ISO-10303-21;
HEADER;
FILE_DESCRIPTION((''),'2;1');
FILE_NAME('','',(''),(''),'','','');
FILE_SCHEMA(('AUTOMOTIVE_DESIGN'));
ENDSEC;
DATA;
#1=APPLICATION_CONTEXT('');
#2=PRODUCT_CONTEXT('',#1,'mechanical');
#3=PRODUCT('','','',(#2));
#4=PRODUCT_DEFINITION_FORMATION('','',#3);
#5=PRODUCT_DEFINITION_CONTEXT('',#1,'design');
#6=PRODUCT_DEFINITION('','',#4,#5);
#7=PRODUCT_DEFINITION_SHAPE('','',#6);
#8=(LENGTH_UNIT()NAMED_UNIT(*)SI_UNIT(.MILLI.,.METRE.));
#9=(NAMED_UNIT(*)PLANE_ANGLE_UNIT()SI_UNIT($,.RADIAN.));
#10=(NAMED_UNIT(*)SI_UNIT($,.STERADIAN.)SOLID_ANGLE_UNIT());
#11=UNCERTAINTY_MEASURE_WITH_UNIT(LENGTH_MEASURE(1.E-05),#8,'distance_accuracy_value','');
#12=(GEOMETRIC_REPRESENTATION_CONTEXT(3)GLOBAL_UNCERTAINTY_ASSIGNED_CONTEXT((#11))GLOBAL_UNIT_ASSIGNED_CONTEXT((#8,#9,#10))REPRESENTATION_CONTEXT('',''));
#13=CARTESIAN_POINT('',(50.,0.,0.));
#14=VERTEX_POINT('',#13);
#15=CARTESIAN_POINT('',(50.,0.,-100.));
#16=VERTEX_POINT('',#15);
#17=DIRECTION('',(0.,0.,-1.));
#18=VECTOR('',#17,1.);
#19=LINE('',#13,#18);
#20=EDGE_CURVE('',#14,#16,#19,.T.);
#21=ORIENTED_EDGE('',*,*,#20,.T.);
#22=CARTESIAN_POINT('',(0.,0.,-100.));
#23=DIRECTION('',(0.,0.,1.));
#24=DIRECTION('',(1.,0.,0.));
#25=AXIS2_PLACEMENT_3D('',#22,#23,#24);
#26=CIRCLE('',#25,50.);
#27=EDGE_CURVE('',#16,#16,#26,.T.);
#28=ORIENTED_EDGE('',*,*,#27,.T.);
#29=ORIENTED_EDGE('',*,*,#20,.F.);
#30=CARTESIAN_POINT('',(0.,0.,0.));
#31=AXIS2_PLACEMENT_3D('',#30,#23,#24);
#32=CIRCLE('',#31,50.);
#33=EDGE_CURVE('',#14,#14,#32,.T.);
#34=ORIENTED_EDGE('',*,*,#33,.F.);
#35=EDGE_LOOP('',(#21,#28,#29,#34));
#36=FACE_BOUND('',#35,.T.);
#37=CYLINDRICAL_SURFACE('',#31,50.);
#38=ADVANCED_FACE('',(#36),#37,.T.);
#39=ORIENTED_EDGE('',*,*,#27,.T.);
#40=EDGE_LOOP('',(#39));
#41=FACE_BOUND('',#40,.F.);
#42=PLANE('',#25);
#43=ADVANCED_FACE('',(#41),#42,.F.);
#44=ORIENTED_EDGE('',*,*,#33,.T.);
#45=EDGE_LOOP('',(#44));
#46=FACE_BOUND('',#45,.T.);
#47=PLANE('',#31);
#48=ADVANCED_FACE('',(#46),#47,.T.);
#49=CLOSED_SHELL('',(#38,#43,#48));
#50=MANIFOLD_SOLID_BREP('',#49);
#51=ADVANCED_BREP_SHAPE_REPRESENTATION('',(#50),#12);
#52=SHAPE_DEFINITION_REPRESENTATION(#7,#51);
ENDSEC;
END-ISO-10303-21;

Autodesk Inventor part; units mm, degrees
ref_plane "YZ Plane" through (0, 0, 0) normal (1, 0, 0) x (0, 1, 0)
ref_plane "XZ Plane" through (0, 0, 0) normal (0, 1, 0) x (-1, 0, 0)
sketch "Sketch1" plane through (0, 0, 0) normal (0, 0, 1) x (1, 0, 0)
  circle A0 centre (0, 0) radius 50
ref_plane "Work Plane1" through (0, 0, -100) normal (0, 0, 1) x (1, 0, 0)
extrude "Extrusion3" add sketch "Sketch1" against normal blind 100
properties part number "Cylinder"
